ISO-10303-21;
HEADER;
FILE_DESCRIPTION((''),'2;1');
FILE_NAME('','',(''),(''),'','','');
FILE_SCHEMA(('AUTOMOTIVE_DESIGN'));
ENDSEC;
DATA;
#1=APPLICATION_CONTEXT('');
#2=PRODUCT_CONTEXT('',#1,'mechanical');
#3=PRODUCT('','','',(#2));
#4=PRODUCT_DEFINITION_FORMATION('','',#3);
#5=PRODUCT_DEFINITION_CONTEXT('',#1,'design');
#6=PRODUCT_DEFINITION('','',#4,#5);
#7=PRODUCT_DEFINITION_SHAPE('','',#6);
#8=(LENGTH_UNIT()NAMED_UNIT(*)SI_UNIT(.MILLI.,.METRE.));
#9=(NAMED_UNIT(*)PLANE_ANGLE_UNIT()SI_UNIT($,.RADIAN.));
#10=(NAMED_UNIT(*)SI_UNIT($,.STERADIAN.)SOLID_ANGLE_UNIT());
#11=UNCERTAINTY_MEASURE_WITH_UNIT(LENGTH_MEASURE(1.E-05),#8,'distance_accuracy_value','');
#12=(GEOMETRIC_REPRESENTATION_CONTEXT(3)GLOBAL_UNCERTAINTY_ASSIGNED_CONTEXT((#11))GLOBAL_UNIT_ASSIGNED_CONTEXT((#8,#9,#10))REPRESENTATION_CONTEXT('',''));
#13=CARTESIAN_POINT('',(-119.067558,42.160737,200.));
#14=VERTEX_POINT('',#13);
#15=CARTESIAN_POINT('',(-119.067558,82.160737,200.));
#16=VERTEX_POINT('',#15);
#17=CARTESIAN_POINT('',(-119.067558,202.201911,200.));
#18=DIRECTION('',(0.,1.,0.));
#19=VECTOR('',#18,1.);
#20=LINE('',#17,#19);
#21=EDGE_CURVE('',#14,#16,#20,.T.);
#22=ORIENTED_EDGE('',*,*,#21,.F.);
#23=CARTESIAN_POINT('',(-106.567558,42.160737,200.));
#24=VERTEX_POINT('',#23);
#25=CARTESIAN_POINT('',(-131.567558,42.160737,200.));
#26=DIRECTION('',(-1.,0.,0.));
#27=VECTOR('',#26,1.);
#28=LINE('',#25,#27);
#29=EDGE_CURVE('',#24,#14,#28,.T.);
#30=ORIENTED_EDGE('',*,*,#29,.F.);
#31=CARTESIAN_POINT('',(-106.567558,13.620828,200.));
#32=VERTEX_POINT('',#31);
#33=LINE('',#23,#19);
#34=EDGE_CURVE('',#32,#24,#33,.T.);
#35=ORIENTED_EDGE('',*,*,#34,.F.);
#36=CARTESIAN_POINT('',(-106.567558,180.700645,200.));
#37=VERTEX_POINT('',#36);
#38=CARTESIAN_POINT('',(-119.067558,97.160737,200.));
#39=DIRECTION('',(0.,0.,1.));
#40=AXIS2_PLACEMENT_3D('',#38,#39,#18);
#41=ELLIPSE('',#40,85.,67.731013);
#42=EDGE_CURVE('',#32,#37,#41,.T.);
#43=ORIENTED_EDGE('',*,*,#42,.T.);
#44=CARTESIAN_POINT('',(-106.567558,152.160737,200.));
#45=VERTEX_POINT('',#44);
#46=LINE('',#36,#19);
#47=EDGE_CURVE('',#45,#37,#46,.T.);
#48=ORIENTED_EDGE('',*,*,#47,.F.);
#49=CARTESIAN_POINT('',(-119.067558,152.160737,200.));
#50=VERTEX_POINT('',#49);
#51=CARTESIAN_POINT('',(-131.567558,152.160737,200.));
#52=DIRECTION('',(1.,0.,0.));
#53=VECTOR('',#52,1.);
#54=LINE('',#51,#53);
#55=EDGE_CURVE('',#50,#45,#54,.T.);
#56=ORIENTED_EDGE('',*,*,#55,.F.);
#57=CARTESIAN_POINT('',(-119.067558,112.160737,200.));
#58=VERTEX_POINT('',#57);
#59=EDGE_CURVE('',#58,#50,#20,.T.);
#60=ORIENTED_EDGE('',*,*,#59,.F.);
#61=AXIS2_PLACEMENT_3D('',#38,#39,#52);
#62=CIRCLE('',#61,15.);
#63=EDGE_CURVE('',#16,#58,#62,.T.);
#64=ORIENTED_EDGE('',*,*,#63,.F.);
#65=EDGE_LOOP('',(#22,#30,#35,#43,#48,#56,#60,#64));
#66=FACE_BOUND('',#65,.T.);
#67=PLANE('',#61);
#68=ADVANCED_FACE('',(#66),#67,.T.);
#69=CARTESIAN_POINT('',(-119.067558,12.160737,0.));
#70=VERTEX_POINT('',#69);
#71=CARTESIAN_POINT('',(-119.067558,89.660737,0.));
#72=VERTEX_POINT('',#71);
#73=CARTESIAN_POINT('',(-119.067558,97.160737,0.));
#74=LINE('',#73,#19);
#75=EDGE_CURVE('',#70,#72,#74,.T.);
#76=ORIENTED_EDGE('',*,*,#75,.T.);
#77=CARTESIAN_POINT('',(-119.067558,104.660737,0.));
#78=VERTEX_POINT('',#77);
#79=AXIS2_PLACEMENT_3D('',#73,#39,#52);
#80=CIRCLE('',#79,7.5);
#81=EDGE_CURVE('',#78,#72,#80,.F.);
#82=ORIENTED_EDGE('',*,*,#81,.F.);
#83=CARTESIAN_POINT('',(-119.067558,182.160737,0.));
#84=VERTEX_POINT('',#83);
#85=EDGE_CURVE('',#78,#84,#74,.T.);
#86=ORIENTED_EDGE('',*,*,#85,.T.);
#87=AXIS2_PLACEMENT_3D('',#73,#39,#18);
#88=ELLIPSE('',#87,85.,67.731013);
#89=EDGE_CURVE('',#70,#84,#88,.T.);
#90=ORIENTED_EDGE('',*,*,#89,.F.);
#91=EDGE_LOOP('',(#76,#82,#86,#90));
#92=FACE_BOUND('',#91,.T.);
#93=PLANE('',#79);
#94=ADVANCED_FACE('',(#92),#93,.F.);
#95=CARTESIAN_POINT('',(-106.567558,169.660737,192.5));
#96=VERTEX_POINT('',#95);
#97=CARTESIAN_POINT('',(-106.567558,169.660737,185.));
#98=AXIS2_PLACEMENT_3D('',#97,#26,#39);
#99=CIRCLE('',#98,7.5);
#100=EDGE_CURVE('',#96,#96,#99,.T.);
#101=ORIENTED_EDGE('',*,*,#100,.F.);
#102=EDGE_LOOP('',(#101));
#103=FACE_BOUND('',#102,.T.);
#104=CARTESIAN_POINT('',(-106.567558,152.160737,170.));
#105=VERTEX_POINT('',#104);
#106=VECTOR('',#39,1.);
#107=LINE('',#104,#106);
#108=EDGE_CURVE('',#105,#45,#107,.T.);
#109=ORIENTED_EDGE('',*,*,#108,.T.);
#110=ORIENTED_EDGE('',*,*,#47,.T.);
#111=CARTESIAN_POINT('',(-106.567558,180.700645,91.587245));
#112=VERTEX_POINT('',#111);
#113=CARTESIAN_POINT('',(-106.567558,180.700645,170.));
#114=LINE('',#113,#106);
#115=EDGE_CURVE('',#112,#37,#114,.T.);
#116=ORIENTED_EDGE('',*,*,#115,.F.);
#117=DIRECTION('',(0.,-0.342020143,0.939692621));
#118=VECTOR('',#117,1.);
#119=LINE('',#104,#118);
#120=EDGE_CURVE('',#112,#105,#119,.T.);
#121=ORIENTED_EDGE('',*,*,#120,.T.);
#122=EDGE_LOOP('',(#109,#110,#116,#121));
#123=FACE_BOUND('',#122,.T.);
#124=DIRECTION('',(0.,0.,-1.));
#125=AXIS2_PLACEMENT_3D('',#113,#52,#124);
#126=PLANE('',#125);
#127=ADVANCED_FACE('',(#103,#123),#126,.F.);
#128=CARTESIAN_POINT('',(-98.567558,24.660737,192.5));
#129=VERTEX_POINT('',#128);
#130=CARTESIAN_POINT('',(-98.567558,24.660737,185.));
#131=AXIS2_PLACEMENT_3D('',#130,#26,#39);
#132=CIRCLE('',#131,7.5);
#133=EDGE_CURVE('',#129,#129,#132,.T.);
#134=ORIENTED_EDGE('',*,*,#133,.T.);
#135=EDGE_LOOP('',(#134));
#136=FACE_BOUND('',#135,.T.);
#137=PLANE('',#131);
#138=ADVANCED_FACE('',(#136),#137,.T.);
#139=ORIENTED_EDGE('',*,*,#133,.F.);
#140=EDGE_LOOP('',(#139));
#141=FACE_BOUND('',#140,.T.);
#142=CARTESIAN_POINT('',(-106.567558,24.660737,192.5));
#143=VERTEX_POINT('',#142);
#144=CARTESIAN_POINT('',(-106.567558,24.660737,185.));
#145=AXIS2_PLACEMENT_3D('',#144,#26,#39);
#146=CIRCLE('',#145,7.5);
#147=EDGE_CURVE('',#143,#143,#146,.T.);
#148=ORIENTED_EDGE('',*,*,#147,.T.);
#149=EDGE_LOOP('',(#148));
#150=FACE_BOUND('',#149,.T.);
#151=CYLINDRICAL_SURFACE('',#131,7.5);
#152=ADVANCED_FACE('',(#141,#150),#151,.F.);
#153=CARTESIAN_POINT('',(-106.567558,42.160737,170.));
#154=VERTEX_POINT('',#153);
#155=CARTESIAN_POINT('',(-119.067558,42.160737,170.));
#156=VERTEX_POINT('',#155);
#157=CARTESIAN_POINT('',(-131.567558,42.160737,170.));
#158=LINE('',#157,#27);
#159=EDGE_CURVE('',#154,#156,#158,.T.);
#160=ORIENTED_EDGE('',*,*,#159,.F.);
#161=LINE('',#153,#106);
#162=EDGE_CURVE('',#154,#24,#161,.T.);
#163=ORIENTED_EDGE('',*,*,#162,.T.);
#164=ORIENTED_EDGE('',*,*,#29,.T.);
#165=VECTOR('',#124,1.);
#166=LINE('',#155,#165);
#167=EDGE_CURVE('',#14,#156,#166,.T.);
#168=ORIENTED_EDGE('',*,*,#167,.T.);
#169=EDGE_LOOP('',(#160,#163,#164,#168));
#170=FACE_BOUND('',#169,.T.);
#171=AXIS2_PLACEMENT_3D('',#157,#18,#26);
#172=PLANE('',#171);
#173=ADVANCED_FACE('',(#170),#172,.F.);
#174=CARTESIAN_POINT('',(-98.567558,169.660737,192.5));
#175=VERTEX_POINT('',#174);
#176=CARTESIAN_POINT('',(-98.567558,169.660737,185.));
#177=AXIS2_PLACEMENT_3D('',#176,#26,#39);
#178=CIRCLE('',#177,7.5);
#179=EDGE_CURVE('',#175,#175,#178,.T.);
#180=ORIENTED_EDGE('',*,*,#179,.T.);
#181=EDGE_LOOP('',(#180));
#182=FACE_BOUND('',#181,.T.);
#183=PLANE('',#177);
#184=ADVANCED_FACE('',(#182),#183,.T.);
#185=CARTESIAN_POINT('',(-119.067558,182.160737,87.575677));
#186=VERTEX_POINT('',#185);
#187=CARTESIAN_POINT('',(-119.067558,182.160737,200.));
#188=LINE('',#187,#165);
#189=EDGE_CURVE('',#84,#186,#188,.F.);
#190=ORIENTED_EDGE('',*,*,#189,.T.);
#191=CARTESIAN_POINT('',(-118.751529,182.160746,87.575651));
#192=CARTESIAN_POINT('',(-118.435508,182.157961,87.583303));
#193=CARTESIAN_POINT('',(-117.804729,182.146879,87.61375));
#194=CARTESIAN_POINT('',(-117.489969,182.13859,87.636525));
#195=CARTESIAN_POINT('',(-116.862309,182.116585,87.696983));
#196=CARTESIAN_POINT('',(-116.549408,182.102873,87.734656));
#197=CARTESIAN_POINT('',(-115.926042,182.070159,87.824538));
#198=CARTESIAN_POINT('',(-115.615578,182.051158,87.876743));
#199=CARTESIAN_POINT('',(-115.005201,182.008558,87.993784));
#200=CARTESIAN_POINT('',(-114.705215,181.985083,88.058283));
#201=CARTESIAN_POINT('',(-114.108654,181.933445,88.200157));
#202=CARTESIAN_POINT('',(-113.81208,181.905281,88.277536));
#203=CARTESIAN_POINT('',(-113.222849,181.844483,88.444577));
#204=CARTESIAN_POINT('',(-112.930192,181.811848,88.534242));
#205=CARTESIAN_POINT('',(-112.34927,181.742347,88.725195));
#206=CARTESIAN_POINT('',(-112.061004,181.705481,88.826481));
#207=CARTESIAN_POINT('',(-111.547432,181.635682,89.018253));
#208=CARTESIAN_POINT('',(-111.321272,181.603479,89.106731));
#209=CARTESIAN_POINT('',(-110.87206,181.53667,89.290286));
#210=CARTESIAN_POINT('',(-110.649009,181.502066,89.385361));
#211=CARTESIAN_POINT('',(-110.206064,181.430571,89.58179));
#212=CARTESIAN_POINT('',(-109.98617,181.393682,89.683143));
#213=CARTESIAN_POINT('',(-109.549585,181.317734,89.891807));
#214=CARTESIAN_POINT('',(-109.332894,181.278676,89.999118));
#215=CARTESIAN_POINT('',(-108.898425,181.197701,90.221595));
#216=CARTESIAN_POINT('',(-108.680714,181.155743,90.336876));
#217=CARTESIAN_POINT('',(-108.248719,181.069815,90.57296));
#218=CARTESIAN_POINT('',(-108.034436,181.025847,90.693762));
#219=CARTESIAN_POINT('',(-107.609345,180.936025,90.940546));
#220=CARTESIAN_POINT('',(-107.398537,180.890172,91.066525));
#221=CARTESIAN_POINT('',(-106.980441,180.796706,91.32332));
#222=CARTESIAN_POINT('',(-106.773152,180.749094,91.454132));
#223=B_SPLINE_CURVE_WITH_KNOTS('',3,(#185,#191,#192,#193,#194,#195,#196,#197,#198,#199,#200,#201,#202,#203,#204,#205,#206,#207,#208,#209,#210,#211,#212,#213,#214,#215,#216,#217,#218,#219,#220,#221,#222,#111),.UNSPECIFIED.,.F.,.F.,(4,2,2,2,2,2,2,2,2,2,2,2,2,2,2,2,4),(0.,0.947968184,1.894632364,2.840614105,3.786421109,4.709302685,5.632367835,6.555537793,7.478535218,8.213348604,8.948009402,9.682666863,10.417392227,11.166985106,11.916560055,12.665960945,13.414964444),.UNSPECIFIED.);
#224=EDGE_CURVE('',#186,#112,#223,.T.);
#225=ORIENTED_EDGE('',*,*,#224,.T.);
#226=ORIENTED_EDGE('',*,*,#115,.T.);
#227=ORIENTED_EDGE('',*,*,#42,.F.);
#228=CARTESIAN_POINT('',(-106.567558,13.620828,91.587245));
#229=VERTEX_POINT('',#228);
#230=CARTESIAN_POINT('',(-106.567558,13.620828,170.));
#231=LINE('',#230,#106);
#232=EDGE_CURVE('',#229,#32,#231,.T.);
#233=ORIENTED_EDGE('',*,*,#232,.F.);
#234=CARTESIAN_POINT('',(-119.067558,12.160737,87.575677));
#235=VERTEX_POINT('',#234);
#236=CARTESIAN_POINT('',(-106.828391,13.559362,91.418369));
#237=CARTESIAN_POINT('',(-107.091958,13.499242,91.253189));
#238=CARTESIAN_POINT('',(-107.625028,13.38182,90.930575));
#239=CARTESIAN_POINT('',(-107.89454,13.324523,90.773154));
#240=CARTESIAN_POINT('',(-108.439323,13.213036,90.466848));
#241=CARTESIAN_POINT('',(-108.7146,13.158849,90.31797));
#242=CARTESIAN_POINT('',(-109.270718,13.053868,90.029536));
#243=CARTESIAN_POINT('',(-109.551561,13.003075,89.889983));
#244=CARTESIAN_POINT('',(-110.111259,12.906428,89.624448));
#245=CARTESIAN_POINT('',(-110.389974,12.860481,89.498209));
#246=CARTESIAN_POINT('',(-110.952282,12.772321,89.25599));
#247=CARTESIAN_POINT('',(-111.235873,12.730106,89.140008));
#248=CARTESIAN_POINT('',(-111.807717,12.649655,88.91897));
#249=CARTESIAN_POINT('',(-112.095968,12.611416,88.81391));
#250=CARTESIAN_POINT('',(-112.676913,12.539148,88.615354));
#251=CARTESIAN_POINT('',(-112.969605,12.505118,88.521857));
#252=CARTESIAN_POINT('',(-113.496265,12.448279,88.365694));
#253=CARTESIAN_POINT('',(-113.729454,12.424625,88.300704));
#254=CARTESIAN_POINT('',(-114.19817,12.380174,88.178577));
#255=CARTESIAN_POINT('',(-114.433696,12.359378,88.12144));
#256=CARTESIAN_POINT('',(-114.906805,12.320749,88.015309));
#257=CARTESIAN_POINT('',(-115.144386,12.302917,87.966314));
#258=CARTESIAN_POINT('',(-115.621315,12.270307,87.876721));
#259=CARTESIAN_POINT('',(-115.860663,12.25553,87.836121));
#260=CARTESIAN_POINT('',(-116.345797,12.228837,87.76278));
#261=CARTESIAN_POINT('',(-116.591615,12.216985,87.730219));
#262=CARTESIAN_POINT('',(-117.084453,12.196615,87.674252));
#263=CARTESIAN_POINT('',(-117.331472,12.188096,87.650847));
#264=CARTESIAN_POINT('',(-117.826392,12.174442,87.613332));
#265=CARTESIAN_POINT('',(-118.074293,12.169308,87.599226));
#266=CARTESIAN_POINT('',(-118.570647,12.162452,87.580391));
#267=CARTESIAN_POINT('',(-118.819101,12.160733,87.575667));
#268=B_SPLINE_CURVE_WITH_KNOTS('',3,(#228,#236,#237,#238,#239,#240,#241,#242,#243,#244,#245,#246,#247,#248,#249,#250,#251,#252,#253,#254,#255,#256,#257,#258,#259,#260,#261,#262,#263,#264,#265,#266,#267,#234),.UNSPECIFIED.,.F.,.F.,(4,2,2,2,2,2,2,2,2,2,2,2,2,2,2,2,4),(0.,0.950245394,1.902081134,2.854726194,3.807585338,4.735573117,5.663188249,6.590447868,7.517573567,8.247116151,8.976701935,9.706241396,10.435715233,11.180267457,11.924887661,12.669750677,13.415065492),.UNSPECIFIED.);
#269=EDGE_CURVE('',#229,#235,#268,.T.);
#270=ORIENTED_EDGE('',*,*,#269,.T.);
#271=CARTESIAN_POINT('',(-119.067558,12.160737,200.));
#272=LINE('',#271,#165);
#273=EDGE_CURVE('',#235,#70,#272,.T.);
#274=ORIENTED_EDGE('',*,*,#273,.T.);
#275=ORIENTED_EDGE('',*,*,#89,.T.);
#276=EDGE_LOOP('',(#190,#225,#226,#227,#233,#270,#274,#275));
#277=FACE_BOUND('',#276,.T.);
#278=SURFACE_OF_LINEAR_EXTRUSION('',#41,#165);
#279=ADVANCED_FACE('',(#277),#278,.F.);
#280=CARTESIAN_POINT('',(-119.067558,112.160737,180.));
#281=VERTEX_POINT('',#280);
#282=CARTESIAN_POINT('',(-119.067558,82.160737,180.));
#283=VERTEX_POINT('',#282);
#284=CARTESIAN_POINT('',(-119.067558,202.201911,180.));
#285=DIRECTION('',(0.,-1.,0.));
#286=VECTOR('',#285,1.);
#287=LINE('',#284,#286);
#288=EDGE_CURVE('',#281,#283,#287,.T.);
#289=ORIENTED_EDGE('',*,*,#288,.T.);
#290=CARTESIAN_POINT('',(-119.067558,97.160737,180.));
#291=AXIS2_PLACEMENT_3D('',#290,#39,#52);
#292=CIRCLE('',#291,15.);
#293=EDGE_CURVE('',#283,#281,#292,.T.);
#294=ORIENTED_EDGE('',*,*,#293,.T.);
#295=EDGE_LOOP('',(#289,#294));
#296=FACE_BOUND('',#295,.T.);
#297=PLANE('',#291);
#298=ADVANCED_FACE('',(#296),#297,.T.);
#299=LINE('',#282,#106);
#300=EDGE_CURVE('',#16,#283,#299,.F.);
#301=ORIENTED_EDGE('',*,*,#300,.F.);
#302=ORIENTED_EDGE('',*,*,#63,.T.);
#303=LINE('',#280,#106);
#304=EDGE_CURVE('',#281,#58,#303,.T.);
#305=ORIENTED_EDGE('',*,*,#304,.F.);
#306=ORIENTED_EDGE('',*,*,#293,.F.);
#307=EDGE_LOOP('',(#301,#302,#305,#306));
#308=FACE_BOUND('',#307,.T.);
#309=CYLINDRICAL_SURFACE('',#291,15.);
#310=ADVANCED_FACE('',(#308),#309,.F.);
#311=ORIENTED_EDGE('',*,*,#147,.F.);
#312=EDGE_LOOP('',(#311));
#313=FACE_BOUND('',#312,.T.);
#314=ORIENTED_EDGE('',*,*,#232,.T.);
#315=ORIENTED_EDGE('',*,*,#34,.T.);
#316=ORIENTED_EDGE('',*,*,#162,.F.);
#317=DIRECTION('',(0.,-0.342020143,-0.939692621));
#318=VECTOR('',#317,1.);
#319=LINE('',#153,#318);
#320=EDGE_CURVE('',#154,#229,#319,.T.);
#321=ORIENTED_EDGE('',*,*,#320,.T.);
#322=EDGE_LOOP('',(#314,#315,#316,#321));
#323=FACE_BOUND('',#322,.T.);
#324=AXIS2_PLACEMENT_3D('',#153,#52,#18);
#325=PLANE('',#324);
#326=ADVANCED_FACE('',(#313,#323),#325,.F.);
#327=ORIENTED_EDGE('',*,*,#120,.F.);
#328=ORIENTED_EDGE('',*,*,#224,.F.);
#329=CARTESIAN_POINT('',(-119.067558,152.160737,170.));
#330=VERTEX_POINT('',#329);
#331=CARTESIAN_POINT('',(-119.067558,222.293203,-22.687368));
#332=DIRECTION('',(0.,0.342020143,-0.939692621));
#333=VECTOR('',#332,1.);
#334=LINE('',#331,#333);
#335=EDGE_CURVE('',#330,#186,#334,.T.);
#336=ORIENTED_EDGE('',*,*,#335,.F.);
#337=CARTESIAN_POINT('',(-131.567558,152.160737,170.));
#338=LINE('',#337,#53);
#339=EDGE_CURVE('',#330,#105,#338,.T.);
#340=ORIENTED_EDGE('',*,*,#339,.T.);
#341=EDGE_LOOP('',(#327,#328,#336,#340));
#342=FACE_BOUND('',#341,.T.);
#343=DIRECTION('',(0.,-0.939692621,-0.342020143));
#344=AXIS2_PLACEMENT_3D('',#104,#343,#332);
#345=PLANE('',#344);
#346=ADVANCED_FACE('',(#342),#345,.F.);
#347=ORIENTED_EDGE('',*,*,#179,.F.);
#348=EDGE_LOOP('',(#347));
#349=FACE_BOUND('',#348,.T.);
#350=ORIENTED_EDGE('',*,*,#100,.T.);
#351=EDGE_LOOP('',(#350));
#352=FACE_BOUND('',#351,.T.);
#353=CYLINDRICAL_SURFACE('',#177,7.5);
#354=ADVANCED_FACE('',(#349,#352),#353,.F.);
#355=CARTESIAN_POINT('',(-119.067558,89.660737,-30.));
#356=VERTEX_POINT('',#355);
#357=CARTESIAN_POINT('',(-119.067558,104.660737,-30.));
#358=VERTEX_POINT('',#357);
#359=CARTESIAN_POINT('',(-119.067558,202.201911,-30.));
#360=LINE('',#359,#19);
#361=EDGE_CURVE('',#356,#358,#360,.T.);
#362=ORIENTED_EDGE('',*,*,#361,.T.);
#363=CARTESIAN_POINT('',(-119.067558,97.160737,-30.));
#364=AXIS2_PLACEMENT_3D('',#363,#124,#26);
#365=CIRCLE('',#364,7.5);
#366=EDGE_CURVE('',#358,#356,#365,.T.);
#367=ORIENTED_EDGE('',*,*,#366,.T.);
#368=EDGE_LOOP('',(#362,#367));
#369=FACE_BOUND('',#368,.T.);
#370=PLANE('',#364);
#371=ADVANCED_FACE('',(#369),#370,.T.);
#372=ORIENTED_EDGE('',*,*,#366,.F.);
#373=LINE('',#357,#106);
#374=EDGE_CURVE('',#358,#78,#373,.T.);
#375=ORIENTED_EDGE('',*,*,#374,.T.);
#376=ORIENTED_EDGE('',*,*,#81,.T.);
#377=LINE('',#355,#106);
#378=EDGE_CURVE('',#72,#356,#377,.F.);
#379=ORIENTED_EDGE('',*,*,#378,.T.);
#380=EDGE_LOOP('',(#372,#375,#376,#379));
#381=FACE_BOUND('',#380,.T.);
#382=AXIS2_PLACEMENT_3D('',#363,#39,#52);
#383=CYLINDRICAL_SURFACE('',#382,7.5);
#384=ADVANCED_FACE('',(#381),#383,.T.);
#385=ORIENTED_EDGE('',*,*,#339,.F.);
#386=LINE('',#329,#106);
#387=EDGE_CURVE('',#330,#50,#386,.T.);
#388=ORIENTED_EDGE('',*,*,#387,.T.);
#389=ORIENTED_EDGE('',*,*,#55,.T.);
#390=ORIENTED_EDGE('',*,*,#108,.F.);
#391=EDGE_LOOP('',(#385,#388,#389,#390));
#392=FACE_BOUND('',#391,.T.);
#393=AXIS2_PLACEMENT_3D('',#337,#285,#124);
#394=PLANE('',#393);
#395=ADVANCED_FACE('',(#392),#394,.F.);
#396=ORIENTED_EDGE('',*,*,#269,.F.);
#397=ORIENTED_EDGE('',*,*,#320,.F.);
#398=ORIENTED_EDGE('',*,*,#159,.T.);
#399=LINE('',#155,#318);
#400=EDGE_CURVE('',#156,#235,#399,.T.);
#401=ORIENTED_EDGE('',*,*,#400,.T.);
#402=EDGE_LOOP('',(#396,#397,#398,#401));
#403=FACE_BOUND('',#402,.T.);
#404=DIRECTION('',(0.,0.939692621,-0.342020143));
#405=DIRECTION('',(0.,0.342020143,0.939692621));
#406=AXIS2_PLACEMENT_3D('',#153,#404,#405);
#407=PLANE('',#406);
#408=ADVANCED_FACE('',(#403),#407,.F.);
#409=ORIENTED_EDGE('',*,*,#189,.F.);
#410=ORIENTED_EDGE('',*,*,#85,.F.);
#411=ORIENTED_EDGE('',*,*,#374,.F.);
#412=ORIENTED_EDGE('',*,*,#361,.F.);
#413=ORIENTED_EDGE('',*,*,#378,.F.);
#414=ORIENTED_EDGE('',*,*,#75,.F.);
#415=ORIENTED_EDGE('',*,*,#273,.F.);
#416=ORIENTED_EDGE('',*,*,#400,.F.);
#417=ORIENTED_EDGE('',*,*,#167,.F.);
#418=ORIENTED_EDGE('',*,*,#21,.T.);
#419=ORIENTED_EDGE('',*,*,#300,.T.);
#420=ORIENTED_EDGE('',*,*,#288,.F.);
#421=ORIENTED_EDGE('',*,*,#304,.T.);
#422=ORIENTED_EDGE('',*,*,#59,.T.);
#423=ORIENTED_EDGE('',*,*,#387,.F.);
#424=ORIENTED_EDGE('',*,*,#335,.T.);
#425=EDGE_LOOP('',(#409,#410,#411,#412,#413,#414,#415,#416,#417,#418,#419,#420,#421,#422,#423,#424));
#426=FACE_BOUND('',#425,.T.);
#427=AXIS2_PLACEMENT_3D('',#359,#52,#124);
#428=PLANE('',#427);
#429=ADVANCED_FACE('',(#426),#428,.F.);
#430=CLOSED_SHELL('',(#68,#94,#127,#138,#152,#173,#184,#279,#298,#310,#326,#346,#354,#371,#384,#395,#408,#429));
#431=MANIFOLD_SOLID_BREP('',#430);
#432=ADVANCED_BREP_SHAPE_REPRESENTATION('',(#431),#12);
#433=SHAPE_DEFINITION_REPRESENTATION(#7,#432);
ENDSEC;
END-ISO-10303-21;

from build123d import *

# Parameters (mm, degrees)
CROQUIS1_RX             = 85
CROQUIS1_RY             = 67.73101263
SALIENTE_EXTRUIR1_DEPTH = 200
CORTAR_EXTRUIR1_DEPTH   = 100
SALIENTE_EXTRUIR2_DEPTH = 30
CROQUIS5_R              = 7.5
SALIENTE_EXTRUIR3_DEPTH = 30
CORTAR_EXTRUIR3_DEPTH   = 30
CROQUIS8_W              = 78.88877914
CROQUIS8_H              = 202.201910825
CORTAR_EXTRUIR4_DEPTH   = 348.816388214
CROQUIS9_R              = 15
CORTAR_EXTRUIR5_DEPTH   = 20
CROQUIS10_R             = 7.5
CORTAR_EXTRUIR6_DEPTH   = 8
CORTAR_EXTRUIR7_DEPTH   = 12.5


with BuildPart() as part:
    # Croquis1 → Saliente-Extruir1 (new body)
    with BuildSketch(Plane.XY):
        with Locations(Location((-119.067557665, 97.160736636), (0, 0, 90))):
            Ellipse(CROQUIS1_RX, CROQUIS1_RY)
    extrude(amount=SALIENTE_EXTRUIR1_DEPTH)

    # Croquis3 → Cortar-Extruir1 (cut)
    with BuildSketch(Plane.XY.offset(200)):
        with BuildLine():
            Line((-171.829854236, 137.159885706), (-171.829854236, 57.159885706))
            Line((-171.829854236, 57.159885706), (-178.829854236, 57.159885706))
            add(Edge.make_bspline(
                [(-178.830577491, 137.159885706), (-195.829371976, 97.159643663), (-178.829854236, 57.159885706)],
                knots=[1.080850346, 1.080850346, 1.080850346, 2.060764999, 2.060764999, 2.060764999], degree=2, weights=[1, 0.882352941, 1]))
            Line((-178.830577491, 137.159885706), (-171.829854236, 137.159885706))
        make_face()
    extrude(amount=-CORTAR_EXTRUIR1_DEPTH, mode=Mode.SUBTRACT)

    # Croquis4 → Saliente-Extruir2 (add)
    with BuildSketch(Plane.XY.offset(200)):
        with BuildLine():
            Line((-178.830577491, 137.159885706), (-171.829854236, 137.159885706))
            Line((-171.829854236, 137.159885706), (-171.829854236, 57.159885706))
            Line((-171.829854236, 57.159885706), (-178.829854236, 57.159885706))
            add(Edge.make_bspline(
                [(-178.830577491, 137.159885706), (-195.797797403, 97.186782087), (-178.829854236, 57.159885706)],
                knots=[4.219557052, 4.219557052, 4.219557052, 5.198274326, 5.198274326, 5.198274326], degree=2, weights=[1, 0.882634519, 1]))
        make_face()
    extrude(amount=-SALIENTE_EXTRUIR2_DEPTH)

    # Croquis5 → Saliente-Extruir3 (add)
    with BuildSketch(Plane(origin=(0, 0, 0), x_dir=(-1, 0, 0), z_dir=(0, 0, -1))):
        with Locations(Location((119.067557665, 97.160736636, 0), (0, 0, 180))):
            Circle(CROQUIS5_R)
    extrude(amount=SALIENTE_EXTRUIR3_DEPTH)

    # Croquis7 → Cortar-Extruir3 (cut)
    with BuildSketch(Plane.XY.offset(200)):
        with BuildLine():
            Line((-131.567557665, 42.160736636), (-106.567557665, 42.160736636))
            Line((-106.567557665, 42.160736636), (-106.567557665, 13.620827843))
            add(Edge.make_bspline(
                [(-131.567557665, 13.620827843), (-119.067557665, 10.675126293), (-106.567557665, 13.620827843)],
                knots=[6.0975677, 6.0975677, 6.0975677, 6.468802915, 6.468802915, 6.468802915], degree=2, weights=[1, 0.982822456, 1]))
            Line((-131.567557665, 13.620827843), (-131.567557665, 42.160736636))
        make_face()
        with BuildLine():
            Line((-131.567557665, 180.700645429), (-131.567557665, 152.160736636))
            Line((-131.567557665, 152.160736636), (-106.567557665, 152.160736636))
            Line((-106.567557665, 152.160736636), (-106.567557665, 180.700645429))
            add(Edge.make_bspline(
                [(-106.567557665, 180.700645429), (-119.067557665, 183.64634698), (-131.567557665, 180.700645429)],
                knots=[2.955975046, 2.955975046, 2.955975046, 3.327210261, 3.327210261, 3.327210261], degree=2, weights=[1, 0.982822456, 1]))
        make_face()
    extrude(amount=-CORTAR_EXTRUIR3_DEPTH, mode=Mode.SUBTRACT)

    # Croquis8 → Cortar-Extruir4 (cut, through all)
    with BuildSketch(Plane.XY.offset(200)):
        with Locations((-158.511947235, 101.100955412)):
            Rectangle(CROQUIS8_W, CROQUIS8_H)
    extrude(amount=-CORTAR_EXTRUIR4_DEPTH, mode=Mode.SUBTRACT)

    # Croquis9 → Cortar-Extruir5 (cut)
    with BuildSketch(Plane.XY.offset(200)):
        with Locations((-119.067557665, 97.160736636)):
            Circle(CROQUIS9_R)
    extrude(amount=-CORTAR_EXTRUIR5_DEPTH, mode=Mode.SUBTRACT)

    # Croquis10 → Cortar-Extruir6 (cut)
    with BuildSketch(Plane.ZY.offset(106.567557665)):
        with Locations((185, 169.660736636)):
            Circle(CROQUIS10_R)
        with Locations((185, 24.660736636)):
            Circle(CROQUIS10_R)
    extrude(amount=-CORTAR_EXTRUIR6_DEPTH, mode=Mode.SUBTRACT)

    # Croquis11 → Cortar-Extruir7 (cut)
    with BuildSketch(Plane.ZY.offset(119.067557665)):
        Polygon((170, 152.160736636), (81.545095526, 184.35568894), (86.604252386, 216.899683734), (170, 209.051385078), align=None)
        Polygon((170, 42.160736636), (54.164328104, 0), (170, 0), align=None)
    extrude(amount=-CORTAR_EXTRUIR7_DEPTH, mode=Mode.SUBTRACT)


solid = part.part
